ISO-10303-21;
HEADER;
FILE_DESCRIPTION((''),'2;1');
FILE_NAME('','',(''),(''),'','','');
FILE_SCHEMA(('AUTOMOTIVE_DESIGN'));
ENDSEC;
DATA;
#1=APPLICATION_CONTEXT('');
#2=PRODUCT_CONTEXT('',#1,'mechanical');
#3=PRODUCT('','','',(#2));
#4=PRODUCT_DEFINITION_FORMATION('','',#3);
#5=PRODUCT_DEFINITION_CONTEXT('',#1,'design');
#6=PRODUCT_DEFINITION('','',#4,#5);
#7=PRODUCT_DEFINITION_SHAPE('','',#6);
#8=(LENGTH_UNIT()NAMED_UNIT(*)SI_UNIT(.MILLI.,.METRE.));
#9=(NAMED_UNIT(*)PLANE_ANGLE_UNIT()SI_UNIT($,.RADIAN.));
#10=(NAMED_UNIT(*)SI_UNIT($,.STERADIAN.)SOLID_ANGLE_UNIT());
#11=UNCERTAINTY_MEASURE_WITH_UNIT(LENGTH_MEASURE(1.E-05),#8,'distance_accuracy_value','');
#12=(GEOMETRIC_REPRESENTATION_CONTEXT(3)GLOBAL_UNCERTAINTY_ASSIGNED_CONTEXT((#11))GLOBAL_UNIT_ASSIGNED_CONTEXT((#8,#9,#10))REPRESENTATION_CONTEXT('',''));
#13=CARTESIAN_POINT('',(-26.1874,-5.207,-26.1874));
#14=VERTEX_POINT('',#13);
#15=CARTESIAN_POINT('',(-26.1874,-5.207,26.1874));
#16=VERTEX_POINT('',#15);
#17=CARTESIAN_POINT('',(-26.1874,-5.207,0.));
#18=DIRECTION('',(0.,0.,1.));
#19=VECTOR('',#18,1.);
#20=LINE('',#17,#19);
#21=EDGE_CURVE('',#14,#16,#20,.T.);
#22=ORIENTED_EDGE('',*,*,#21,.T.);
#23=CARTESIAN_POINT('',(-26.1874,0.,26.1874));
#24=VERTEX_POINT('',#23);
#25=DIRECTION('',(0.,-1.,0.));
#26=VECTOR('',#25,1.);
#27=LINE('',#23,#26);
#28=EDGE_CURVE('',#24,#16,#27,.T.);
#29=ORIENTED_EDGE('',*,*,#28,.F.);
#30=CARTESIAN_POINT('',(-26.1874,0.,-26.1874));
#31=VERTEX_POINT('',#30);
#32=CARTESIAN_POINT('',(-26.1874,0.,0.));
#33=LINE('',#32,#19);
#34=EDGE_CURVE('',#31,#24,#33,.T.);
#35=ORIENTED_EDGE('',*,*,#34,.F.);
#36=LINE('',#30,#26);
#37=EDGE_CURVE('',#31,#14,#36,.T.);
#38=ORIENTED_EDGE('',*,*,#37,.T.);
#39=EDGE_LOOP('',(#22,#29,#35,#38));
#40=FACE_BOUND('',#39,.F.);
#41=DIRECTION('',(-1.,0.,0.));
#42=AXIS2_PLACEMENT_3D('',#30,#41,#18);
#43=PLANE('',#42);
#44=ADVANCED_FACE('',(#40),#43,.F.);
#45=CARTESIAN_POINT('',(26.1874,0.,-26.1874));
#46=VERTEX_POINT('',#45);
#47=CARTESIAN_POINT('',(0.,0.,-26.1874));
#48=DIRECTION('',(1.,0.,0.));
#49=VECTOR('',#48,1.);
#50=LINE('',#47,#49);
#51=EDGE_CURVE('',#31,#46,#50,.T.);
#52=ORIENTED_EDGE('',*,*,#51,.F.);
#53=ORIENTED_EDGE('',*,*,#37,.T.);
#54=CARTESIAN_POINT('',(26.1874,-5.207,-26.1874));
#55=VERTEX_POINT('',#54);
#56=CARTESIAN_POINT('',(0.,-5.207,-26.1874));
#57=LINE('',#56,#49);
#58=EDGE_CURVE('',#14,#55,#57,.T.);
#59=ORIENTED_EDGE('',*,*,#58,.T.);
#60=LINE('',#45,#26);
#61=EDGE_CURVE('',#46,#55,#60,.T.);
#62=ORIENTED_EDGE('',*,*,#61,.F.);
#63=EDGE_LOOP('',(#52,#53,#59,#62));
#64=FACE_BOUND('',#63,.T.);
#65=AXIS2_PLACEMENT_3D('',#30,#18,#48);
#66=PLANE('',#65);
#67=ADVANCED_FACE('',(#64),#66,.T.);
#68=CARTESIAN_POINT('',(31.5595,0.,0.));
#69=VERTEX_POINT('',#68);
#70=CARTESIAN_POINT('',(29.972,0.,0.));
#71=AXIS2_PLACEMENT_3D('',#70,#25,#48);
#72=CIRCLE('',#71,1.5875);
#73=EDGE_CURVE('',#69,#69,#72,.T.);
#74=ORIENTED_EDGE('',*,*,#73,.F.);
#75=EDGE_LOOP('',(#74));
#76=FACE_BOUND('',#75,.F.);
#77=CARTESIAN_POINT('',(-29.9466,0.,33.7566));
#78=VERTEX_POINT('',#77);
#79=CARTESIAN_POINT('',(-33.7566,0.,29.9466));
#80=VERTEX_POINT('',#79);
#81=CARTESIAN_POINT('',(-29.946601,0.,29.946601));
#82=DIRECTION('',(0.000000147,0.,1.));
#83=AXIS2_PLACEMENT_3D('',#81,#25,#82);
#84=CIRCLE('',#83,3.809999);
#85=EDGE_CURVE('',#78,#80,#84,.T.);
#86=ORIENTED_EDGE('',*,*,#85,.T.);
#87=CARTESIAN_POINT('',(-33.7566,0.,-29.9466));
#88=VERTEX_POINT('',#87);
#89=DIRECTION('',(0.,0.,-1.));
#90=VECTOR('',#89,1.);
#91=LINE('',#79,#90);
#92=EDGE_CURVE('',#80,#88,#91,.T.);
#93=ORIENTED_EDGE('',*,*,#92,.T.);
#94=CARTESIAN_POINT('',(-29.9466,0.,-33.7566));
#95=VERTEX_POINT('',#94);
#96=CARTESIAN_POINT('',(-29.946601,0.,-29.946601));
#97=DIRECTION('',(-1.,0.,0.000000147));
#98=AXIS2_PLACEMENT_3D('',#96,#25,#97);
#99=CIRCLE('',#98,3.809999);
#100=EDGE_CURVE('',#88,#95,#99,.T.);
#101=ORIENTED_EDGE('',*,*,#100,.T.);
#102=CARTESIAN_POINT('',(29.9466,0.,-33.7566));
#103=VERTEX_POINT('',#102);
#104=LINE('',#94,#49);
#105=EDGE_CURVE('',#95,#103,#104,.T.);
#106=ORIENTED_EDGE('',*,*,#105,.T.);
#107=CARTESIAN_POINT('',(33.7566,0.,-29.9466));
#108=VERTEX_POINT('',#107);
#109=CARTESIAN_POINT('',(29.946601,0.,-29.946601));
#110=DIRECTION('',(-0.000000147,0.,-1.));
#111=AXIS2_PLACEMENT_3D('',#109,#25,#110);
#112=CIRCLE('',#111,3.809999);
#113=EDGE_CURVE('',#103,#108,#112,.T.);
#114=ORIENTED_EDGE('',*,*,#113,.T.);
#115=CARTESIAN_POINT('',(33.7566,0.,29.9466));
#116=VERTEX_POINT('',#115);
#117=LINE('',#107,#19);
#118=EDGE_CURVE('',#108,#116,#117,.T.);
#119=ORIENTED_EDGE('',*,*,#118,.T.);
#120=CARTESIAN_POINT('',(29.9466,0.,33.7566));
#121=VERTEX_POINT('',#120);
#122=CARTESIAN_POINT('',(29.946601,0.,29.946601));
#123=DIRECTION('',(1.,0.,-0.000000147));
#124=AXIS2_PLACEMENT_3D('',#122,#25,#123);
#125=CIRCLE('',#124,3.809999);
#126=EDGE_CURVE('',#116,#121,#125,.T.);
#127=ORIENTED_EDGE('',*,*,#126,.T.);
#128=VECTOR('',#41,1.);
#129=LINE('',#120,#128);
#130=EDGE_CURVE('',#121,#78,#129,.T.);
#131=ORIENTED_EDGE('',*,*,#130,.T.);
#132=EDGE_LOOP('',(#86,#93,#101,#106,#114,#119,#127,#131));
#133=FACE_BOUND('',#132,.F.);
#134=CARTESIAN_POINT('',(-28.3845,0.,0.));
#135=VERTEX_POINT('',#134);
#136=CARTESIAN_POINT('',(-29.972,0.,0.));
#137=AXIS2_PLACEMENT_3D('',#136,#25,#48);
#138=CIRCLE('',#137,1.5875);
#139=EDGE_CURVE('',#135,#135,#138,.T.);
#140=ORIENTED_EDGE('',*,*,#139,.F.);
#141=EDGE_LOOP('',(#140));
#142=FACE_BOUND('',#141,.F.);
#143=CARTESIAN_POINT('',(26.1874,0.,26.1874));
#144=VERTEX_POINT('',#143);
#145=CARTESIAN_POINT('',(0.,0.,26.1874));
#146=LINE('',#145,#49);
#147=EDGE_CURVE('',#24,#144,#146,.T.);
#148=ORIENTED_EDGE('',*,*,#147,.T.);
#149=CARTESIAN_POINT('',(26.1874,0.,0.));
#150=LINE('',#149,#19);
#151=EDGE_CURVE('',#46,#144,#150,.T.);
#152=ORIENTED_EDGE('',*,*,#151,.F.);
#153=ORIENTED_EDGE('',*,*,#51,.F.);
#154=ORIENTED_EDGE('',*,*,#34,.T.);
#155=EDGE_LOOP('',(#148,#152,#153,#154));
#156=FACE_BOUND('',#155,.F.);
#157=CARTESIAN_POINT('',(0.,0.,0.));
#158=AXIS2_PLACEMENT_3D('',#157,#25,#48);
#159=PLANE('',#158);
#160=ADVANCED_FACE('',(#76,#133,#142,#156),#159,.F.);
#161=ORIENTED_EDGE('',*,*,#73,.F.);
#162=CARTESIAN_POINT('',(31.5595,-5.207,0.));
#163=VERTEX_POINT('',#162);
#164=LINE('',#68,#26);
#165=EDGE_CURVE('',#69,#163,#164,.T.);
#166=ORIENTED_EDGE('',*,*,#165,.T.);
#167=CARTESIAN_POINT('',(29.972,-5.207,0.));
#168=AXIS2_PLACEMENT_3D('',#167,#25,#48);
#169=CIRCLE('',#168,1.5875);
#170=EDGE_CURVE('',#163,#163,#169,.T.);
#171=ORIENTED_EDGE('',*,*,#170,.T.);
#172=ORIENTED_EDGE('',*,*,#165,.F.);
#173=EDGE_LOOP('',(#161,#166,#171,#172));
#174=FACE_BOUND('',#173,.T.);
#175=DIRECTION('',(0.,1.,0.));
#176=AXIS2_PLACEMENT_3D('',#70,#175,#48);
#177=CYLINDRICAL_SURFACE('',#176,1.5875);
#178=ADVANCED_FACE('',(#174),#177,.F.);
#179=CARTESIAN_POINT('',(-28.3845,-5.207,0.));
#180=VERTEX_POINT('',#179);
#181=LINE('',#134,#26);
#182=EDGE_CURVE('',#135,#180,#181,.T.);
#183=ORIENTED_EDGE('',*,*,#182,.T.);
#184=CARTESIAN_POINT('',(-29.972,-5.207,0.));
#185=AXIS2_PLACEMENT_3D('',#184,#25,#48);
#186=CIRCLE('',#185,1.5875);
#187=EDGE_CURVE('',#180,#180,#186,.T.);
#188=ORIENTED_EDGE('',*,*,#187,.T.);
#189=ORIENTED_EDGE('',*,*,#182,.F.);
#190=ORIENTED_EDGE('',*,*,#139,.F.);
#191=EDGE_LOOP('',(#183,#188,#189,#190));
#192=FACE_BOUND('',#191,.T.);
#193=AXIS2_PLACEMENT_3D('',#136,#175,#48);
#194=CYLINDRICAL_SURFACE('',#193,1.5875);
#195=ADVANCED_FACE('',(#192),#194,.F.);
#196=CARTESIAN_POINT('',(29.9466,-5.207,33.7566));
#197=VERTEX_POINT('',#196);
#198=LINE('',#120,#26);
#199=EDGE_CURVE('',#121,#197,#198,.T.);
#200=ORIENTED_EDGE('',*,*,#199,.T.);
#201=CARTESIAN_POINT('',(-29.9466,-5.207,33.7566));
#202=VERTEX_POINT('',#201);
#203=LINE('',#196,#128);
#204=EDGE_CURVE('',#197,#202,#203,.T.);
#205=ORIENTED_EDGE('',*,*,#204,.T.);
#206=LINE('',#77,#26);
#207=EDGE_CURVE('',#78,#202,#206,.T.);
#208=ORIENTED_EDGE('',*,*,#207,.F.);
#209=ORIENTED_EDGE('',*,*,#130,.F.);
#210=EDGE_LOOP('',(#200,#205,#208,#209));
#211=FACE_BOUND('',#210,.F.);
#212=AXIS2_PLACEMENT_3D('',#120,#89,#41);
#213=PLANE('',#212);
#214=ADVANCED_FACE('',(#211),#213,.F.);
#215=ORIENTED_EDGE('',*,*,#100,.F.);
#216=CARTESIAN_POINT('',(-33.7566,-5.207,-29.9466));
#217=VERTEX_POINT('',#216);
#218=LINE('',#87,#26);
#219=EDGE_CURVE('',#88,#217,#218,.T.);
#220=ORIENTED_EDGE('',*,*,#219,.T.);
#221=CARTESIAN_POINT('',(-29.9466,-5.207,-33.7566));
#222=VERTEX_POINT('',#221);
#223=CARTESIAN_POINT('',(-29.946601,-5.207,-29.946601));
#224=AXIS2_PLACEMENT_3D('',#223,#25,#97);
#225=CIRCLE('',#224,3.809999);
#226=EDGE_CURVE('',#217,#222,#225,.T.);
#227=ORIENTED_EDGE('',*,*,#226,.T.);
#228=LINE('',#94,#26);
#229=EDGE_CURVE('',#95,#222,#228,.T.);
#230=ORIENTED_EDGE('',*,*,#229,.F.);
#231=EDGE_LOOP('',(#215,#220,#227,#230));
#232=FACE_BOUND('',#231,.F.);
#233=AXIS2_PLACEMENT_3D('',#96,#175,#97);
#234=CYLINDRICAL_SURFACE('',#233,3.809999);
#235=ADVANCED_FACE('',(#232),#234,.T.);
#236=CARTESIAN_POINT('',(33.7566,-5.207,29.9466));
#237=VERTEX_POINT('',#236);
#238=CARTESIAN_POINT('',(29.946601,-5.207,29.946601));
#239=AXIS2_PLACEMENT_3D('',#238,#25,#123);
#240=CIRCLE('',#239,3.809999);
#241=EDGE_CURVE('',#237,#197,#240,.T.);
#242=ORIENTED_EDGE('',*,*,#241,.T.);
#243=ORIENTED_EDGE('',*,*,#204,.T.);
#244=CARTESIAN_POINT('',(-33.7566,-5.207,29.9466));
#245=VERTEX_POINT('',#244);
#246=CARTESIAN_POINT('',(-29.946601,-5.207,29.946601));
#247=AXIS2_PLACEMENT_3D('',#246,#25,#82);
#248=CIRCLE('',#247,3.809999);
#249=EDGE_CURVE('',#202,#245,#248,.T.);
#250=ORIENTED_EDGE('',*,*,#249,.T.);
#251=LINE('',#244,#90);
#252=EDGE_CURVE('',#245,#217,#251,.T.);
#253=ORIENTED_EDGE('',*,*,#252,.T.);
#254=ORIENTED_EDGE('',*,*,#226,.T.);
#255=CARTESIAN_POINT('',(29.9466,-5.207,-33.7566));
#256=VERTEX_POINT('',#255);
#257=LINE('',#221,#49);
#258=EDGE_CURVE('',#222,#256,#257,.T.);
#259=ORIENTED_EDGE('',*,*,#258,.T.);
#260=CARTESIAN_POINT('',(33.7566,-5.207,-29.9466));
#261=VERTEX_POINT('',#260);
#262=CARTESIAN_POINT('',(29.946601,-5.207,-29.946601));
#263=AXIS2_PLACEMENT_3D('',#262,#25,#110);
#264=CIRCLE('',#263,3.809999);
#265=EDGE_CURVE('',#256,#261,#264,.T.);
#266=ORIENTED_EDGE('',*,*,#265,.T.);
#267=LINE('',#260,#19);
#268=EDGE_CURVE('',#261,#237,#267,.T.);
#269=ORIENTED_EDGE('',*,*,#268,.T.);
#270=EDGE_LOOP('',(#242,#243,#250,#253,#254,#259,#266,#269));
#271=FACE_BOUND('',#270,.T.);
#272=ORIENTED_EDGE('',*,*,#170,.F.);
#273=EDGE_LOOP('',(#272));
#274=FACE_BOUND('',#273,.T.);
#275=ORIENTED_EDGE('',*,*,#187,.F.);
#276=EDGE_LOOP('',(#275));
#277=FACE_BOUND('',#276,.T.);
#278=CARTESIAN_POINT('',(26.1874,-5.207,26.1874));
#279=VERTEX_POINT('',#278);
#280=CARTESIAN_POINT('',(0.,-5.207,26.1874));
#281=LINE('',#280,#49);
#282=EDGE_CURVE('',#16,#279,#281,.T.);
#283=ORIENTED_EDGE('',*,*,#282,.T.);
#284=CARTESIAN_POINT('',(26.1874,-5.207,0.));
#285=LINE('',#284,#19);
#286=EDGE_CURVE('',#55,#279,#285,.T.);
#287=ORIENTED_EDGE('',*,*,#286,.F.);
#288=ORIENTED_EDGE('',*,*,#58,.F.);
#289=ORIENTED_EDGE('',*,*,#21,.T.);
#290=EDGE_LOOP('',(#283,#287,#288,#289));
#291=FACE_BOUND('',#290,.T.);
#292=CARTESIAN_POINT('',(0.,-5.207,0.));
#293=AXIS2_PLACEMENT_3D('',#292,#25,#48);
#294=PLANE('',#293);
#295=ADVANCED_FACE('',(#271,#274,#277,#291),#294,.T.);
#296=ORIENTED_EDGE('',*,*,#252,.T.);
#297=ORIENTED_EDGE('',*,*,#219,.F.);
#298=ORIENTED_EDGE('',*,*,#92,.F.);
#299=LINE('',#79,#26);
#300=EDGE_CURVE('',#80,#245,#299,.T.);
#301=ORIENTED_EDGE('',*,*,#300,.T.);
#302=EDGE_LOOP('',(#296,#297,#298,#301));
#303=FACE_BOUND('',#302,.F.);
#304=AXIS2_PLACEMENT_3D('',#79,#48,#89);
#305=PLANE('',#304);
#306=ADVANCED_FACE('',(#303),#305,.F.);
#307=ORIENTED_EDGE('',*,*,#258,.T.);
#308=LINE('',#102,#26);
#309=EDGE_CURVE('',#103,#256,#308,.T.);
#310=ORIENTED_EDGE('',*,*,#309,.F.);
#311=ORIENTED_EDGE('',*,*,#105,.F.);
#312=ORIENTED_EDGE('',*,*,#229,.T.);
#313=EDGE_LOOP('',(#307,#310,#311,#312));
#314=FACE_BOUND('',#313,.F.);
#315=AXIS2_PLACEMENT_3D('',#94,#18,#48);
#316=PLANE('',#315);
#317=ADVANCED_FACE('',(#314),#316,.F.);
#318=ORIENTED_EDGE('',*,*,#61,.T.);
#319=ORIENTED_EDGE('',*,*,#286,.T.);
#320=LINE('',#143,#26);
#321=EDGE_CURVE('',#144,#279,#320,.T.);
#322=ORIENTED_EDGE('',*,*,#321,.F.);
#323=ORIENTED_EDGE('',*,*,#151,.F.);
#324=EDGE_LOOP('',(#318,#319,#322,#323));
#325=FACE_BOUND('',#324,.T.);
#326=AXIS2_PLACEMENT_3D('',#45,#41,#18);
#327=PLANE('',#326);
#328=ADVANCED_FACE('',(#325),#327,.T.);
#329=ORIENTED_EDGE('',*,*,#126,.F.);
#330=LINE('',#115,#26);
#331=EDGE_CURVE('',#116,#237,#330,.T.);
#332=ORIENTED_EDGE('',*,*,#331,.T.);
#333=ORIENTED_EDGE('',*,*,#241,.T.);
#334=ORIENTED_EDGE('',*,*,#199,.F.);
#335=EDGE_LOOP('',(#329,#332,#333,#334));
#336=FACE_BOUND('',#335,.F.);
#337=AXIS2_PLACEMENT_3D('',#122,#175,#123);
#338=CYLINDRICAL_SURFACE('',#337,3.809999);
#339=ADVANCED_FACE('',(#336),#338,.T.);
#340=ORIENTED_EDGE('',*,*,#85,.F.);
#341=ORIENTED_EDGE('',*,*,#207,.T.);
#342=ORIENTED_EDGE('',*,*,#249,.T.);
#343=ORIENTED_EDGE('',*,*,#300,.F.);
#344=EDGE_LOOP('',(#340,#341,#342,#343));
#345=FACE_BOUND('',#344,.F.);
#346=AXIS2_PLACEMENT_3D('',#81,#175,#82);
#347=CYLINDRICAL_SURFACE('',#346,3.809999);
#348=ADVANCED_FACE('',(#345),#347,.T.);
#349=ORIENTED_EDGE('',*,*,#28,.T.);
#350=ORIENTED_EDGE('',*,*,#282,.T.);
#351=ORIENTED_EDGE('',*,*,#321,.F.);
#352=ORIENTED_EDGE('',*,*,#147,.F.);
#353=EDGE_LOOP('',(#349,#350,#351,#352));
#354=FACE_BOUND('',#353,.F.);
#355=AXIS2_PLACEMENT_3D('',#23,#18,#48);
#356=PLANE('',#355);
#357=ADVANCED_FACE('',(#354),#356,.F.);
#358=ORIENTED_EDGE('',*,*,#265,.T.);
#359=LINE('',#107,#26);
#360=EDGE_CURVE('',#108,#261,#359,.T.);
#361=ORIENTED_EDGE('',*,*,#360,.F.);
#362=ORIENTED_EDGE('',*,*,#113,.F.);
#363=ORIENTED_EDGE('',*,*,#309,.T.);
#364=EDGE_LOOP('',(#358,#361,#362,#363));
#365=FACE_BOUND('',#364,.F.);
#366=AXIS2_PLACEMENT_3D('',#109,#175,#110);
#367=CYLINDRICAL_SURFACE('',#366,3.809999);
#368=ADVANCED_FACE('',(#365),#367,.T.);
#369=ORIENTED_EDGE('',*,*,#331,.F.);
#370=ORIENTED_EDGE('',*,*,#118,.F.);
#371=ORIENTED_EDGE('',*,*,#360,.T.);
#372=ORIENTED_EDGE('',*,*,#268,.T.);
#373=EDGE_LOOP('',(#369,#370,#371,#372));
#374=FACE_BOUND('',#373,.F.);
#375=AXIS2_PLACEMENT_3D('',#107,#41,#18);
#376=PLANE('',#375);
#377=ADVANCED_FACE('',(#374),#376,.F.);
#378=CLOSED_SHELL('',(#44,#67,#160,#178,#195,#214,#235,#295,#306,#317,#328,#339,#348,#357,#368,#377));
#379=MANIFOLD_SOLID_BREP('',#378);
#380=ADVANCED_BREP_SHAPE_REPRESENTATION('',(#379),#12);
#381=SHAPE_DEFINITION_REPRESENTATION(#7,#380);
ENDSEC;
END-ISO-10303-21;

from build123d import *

# Parameters (mm, degrees)
F0_R     = 1.5875
F0_W     = 52.3748
F0_H     = 52.3748
F1_DEPTH = 5.207


with BuildPart() as f1:
    # F0 (on Front) → F1 (new body)
    with BuildSketch(Plane.XZ):
        with BuildLine():
            Line((-29.9466, -33.7566), (29.9466, -33.7566))
            ThreePointArc((29.9466, -33.7566), (32.640677, -32.640677), (33.7566, -29.9466))
            Line((33.7566, -29.9466), (33.7566, 29.9466))
            ThreePointArc((33.7566, 29.9466), (32.640677, 32.640677), (29.9466, 33.7566))
            Line((29.9466, 33.7566), (-29.9466, 33.7566))
            ThreePointArc((-29.9466, 33.7566), (-32.640677, 32.640677), (-33.7566, 29.9466))
            Line((-33.7566, 29.9466), (-33.7566, -29.9466))
            ThreePointArc((-33.7566, -29.9466), (-32.640677, -32.640677), (-29.9466, -33.7566))
        make_face()
        with Locations((-29.972, 0)):
            Circle(F0_R, mode=Mode.SUBTRACT)
        Rectangle(F0_W, F0_H, mode=Mode.SUBTRACT)
        with Locations((29.972, 0)):
            Circle(F0_R, mode=Mode.SUBTRACT)
    extrude(amount=F1_DEPTH)


solid = f1.part
